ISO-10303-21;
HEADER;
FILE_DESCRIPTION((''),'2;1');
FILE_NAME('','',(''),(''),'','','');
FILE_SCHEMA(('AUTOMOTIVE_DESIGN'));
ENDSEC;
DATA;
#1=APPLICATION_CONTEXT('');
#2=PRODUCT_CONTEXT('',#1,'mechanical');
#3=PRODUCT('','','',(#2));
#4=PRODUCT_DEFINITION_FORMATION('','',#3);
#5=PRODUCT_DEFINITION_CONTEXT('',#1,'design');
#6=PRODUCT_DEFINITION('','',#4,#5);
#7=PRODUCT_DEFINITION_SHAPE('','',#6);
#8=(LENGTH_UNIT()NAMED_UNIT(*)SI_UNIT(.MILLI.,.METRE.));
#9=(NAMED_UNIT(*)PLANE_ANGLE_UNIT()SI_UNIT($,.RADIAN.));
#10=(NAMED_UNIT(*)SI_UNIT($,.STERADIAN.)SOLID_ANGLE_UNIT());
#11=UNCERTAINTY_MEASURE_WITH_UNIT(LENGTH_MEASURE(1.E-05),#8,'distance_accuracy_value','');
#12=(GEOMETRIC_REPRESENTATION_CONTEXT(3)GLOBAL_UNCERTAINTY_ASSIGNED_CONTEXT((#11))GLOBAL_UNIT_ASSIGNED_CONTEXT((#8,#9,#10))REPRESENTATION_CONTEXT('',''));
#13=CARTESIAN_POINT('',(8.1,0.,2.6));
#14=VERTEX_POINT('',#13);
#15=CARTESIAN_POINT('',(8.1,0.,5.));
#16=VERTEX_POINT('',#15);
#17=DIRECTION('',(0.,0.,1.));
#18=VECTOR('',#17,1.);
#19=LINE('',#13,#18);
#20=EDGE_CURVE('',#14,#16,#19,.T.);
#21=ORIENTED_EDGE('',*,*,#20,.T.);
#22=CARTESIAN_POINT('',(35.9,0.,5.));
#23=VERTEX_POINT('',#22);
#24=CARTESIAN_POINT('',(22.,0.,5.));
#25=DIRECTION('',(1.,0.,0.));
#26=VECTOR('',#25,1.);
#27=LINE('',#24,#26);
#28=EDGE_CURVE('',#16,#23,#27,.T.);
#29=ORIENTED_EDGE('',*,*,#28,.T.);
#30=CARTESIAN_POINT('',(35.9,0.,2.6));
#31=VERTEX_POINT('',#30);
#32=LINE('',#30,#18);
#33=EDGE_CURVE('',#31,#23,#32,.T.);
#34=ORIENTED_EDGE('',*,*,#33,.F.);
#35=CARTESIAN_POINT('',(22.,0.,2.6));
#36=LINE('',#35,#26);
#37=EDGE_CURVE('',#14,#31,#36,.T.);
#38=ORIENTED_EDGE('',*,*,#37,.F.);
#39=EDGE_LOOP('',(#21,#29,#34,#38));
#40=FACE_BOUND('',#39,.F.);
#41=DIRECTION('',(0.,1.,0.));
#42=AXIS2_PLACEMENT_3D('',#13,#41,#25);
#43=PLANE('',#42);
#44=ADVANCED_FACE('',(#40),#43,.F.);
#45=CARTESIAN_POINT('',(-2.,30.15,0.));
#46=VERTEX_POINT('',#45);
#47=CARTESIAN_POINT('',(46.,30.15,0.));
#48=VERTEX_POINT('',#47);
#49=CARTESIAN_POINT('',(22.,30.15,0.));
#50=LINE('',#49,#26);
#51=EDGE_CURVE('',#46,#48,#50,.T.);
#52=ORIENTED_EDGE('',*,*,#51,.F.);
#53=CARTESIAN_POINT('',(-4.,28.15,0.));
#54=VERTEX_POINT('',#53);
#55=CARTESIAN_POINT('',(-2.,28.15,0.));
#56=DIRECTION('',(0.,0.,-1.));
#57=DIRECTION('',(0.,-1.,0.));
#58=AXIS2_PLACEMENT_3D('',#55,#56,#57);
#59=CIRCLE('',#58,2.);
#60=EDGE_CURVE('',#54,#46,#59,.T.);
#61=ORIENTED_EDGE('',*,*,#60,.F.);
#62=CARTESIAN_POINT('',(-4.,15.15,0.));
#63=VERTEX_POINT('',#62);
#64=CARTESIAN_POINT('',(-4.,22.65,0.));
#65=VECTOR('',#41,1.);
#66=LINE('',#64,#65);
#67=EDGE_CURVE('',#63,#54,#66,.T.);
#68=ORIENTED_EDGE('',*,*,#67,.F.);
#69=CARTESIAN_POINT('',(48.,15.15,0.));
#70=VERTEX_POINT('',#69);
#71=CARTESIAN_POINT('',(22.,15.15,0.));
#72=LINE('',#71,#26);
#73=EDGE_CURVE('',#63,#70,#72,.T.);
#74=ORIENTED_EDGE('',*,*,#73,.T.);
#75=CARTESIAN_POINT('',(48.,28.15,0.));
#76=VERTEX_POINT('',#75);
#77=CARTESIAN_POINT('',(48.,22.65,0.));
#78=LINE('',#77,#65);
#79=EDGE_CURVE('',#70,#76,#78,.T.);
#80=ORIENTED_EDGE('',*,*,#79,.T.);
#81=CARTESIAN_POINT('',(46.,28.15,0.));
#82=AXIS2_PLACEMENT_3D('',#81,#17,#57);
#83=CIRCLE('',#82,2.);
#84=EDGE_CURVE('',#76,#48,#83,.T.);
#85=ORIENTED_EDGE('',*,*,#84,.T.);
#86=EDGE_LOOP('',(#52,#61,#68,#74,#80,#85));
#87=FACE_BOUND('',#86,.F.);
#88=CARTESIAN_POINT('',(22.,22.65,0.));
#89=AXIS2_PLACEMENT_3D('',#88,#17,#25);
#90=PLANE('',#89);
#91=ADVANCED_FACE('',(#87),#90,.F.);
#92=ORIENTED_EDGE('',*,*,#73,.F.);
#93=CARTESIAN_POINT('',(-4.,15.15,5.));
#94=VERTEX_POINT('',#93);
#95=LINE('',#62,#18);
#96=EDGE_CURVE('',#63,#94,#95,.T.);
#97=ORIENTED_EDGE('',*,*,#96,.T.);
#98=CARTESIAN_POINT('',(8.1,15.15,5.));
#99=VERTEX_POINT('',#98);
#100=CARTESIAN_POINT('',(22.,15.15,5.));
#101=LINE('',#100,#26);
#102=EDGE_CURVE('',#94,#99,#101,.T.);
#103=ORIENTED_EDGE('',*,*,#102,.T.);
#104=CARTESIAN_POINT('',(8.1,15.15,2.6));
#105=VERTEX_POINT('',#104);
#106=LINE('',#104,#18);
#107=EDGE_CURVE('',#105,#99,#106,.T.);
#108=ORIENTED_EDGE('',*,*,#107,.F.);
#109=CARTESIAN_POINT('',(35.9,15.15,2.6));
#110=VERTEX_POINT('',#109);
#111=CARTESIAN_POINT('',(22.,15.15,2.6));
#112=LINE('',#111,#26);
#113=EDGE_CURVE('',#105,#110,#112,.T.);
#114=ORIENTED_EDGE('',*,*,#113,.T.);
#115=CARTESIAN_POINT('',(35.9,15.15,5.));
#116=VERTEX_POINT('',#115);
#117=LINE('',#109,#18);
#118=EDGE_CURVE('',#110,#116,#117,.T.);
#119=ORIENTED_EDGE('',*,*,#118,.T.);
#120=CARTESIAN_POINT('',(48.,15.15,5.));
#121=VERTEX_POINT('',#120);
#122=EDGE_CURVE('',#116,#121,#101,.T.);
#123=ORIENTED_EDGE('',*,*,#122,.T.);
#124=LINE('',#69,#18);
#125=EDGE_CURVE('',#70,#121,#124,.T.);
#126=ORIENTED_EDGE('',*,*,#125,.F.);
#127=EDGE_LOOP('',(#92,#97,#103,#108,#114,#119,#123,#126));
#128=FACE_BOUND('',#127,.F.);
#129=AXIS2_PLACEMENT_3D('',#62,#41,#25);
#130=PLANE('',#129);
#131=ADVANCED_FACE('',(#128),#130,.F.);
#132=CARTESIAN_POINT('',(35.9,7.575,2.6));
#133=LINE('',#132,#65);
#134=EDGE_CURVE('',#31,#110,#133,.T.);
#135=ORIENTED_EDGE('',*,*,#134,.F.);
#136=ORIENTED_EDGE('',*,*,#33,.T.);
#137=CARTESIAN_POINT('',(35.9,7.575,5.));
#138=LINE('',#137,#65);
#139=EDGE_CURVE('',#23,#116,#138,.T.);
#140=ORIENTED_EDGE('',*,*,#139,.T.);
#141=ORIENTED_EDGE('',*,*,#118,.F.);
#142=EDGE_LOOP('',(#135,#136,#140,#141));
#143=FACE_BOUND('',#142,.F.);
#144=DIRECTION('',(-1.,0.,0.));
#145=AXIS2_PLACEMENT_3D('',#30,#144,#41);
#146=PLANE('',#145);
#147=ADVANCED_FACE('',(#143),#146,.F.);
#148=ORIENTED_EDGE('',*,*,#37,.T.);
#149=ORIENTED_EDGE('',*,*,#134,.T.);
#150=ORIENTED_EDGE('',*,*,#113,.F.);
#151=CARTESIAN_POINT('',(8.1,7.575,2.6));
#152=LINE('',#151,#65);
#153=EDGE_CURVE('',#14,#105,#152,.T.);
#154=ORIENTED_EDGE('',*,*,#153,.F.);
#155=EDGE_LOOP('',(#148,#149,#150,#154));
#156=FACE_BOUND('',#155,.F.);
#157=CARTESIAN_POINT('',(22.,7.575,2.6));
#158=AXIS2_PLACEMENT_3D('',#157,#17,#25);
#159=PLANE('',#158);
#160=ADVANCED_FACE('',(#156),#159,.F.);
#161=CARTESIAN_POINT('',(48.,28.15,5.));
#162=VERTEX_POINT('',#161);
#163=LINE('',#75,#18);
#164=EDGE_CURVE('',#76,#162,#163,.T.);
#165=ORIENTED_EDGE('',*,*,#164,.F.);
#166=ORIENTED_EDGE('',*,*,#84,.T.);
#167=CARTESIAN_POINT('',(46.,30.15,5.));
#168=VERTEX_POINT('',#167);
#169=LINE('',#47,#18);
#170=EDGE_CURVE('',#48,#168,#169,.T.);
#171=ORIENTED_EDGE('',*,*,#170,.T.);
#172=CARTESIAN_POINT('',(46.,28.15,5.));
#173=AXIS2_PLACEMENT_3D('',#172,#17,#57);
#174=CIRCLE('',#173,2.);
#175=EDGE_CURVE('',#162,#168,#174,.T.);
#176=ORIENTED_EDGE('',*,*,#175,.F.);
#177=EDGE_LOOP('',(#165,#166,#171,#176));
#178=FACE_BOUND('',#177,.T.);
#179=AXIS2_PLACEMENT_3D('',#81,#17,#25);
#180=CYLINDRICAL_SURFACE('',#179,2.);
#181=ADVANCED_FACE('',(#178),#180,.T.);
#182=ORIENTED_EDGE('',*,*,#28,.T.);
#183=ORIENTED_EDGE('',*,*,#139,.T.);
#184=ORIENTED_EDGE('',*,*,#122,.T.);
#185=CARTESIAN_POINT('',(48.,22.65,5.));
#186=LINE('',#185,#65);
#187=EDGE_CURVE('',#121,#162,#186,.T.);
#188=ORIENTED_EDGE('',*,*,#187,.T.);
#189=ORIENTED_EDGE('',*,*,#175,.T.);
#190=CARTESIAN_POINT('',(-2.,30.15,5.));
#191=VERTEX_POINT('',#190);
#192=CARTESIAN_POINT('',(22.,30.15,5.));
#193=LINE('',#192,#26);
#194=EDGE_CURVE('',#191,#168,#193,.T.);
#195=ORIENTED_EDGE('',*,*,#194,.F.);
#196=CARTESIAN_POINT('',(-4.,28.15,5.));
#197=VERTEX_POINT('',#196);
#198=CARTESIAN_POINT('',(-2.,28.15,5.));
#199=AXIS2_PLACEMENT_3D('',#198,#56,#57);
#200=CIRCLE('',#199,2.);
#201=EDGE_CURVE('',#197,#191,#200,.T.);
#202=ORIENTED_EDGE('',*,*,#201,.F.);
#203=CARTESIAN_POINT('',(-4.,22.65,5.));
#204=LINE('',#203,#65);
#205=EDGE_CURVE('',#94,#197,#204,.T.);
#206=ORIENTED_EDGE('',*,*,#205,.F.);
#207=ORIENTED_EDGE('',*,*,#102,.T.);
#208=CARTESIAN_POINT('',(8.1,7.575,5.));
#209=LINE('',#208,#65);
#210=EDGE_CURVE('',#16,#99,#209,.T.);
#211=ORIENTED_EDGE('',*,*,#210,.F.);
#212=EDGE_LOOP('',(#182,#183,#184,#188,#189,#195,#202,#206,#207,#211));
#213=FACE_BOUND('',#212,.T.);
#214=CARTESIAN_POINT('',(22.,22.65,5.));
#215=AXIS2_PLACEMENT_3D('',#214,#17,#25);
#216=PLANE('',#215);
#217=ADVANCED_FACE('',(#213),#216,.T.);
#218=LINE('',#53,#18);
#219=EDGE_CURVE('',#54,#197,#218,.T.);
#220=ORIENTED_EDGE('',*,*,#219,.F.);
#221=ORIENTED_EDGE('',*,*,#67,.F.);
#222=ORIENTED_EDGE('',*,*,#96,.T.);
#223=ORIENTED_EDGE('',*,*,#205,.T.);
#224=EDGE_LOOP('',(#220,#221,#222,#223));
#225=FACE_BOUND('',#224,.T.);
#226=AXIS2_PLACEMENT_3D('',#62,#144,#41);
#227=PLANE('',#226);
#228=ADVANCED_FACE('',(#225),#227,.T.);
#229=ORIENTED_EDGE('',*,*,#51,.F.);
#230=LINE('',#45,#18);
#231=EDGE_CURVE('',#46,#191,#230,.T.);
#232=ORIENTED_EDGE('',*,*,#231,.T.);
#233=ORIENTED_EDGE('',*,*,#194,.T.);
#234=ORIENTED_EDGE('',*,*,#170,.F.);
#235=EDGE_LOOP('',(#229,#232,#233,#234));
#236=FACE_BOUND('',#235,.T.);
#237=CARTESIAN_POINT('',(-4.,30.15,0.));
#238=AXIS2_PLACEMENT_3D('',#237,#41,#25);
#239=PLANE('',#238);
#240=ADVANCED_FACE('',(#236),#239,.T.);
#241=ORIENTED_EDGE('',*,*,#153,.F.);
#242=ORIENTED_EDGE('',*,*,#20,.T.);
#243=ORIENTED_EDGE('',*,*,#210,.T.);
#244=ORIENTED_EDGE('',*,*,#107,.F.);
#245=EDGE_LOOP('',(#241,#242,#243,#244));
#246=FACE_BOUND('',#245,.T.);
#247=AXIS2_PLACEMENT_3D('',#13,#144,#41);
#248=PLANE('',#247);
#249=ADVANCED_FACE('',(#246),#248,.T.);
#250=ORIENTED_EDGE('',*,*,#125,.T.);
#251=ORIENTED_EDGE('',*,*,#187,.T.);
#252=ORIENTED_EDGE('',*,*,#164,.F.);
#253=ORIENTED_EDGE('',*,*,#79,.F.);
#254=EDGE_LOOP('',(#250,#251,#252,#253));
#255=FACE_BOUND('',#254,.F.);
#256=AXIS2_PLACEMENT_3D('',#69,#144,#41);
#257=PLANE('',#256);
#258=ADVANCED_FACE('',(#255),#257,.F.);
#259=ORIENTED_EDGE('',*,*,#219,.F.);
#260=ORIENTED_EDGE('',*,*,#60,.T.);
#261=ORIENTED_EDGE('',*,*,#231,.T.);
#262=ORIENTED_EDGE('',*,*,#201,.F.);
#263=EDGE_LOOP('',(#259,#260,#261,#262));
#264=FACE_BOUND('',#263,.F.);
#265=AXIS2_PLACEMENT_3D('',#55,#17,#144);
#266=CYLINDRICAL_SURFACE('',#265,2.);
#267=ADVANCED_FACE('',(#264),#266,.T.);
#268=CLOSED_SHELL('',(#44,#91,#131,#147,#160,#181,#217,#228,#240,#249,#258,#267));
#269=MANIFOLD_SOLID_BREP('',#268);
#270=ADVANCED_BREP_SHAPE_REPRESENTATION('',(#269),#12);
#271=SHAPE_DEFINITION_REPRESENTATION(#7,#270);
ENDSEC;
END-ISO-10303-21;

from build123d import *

# Parameters (mm, degrees)
BOX044_W     = 52
BOX044_H     = 15
BOX044_DEPTH = 5
FILLET008_R  = 2
BOX043_W     = 27.8
BOX043_H     = 15.15
BOX043_DEPTH = 2.4


with BuildPart() as fillet008:
    # Box044 → Box044 (new body)
    with BuildSketch(Plane(origin=(-4, 17.15, 0), x_dir=(1, 0, 0), z_dir=(0, 0, 1))):
        with Locations((26, 7.5)):
            Rectangle(BOX044_W, BOX044_H)
    extrude(amount=BOX044_DEPTH)

    # Fillet008
    fillet008_edges = [fillet008.edges().sort_by_distance(p)[0] for p in [
        (-4, 32.15, 2.5),
        (48, 32.15, 2.5),
    ]]
    fillet(fillet008_edges, radius=FILLET008_R)


with BuildPart() as exterior_parte2_v2:
    # Box043 → Box043 (new body)
    with BuildSketch(Plane(origin=(8.1, 2, 2.6), x_dir=(1, 0, 0), z_dir=(0, 0, 1))):
        with Locations((13.9, 7.575)):
            Rectangle(BOX043_W, BOX043_H)
    extrude(amount=BOX043_DEPTH)

    # Fusion023005: union Fillet008
    add(fillet008.part)


with BuildPart() as exterior_parte2_v2_1:
    # Fusion023005 placement: moved
    add(exterior_parte2_v2.part.moved(Location((0, -2, 0))))


solid = exterior_parte2_v2_1.part
